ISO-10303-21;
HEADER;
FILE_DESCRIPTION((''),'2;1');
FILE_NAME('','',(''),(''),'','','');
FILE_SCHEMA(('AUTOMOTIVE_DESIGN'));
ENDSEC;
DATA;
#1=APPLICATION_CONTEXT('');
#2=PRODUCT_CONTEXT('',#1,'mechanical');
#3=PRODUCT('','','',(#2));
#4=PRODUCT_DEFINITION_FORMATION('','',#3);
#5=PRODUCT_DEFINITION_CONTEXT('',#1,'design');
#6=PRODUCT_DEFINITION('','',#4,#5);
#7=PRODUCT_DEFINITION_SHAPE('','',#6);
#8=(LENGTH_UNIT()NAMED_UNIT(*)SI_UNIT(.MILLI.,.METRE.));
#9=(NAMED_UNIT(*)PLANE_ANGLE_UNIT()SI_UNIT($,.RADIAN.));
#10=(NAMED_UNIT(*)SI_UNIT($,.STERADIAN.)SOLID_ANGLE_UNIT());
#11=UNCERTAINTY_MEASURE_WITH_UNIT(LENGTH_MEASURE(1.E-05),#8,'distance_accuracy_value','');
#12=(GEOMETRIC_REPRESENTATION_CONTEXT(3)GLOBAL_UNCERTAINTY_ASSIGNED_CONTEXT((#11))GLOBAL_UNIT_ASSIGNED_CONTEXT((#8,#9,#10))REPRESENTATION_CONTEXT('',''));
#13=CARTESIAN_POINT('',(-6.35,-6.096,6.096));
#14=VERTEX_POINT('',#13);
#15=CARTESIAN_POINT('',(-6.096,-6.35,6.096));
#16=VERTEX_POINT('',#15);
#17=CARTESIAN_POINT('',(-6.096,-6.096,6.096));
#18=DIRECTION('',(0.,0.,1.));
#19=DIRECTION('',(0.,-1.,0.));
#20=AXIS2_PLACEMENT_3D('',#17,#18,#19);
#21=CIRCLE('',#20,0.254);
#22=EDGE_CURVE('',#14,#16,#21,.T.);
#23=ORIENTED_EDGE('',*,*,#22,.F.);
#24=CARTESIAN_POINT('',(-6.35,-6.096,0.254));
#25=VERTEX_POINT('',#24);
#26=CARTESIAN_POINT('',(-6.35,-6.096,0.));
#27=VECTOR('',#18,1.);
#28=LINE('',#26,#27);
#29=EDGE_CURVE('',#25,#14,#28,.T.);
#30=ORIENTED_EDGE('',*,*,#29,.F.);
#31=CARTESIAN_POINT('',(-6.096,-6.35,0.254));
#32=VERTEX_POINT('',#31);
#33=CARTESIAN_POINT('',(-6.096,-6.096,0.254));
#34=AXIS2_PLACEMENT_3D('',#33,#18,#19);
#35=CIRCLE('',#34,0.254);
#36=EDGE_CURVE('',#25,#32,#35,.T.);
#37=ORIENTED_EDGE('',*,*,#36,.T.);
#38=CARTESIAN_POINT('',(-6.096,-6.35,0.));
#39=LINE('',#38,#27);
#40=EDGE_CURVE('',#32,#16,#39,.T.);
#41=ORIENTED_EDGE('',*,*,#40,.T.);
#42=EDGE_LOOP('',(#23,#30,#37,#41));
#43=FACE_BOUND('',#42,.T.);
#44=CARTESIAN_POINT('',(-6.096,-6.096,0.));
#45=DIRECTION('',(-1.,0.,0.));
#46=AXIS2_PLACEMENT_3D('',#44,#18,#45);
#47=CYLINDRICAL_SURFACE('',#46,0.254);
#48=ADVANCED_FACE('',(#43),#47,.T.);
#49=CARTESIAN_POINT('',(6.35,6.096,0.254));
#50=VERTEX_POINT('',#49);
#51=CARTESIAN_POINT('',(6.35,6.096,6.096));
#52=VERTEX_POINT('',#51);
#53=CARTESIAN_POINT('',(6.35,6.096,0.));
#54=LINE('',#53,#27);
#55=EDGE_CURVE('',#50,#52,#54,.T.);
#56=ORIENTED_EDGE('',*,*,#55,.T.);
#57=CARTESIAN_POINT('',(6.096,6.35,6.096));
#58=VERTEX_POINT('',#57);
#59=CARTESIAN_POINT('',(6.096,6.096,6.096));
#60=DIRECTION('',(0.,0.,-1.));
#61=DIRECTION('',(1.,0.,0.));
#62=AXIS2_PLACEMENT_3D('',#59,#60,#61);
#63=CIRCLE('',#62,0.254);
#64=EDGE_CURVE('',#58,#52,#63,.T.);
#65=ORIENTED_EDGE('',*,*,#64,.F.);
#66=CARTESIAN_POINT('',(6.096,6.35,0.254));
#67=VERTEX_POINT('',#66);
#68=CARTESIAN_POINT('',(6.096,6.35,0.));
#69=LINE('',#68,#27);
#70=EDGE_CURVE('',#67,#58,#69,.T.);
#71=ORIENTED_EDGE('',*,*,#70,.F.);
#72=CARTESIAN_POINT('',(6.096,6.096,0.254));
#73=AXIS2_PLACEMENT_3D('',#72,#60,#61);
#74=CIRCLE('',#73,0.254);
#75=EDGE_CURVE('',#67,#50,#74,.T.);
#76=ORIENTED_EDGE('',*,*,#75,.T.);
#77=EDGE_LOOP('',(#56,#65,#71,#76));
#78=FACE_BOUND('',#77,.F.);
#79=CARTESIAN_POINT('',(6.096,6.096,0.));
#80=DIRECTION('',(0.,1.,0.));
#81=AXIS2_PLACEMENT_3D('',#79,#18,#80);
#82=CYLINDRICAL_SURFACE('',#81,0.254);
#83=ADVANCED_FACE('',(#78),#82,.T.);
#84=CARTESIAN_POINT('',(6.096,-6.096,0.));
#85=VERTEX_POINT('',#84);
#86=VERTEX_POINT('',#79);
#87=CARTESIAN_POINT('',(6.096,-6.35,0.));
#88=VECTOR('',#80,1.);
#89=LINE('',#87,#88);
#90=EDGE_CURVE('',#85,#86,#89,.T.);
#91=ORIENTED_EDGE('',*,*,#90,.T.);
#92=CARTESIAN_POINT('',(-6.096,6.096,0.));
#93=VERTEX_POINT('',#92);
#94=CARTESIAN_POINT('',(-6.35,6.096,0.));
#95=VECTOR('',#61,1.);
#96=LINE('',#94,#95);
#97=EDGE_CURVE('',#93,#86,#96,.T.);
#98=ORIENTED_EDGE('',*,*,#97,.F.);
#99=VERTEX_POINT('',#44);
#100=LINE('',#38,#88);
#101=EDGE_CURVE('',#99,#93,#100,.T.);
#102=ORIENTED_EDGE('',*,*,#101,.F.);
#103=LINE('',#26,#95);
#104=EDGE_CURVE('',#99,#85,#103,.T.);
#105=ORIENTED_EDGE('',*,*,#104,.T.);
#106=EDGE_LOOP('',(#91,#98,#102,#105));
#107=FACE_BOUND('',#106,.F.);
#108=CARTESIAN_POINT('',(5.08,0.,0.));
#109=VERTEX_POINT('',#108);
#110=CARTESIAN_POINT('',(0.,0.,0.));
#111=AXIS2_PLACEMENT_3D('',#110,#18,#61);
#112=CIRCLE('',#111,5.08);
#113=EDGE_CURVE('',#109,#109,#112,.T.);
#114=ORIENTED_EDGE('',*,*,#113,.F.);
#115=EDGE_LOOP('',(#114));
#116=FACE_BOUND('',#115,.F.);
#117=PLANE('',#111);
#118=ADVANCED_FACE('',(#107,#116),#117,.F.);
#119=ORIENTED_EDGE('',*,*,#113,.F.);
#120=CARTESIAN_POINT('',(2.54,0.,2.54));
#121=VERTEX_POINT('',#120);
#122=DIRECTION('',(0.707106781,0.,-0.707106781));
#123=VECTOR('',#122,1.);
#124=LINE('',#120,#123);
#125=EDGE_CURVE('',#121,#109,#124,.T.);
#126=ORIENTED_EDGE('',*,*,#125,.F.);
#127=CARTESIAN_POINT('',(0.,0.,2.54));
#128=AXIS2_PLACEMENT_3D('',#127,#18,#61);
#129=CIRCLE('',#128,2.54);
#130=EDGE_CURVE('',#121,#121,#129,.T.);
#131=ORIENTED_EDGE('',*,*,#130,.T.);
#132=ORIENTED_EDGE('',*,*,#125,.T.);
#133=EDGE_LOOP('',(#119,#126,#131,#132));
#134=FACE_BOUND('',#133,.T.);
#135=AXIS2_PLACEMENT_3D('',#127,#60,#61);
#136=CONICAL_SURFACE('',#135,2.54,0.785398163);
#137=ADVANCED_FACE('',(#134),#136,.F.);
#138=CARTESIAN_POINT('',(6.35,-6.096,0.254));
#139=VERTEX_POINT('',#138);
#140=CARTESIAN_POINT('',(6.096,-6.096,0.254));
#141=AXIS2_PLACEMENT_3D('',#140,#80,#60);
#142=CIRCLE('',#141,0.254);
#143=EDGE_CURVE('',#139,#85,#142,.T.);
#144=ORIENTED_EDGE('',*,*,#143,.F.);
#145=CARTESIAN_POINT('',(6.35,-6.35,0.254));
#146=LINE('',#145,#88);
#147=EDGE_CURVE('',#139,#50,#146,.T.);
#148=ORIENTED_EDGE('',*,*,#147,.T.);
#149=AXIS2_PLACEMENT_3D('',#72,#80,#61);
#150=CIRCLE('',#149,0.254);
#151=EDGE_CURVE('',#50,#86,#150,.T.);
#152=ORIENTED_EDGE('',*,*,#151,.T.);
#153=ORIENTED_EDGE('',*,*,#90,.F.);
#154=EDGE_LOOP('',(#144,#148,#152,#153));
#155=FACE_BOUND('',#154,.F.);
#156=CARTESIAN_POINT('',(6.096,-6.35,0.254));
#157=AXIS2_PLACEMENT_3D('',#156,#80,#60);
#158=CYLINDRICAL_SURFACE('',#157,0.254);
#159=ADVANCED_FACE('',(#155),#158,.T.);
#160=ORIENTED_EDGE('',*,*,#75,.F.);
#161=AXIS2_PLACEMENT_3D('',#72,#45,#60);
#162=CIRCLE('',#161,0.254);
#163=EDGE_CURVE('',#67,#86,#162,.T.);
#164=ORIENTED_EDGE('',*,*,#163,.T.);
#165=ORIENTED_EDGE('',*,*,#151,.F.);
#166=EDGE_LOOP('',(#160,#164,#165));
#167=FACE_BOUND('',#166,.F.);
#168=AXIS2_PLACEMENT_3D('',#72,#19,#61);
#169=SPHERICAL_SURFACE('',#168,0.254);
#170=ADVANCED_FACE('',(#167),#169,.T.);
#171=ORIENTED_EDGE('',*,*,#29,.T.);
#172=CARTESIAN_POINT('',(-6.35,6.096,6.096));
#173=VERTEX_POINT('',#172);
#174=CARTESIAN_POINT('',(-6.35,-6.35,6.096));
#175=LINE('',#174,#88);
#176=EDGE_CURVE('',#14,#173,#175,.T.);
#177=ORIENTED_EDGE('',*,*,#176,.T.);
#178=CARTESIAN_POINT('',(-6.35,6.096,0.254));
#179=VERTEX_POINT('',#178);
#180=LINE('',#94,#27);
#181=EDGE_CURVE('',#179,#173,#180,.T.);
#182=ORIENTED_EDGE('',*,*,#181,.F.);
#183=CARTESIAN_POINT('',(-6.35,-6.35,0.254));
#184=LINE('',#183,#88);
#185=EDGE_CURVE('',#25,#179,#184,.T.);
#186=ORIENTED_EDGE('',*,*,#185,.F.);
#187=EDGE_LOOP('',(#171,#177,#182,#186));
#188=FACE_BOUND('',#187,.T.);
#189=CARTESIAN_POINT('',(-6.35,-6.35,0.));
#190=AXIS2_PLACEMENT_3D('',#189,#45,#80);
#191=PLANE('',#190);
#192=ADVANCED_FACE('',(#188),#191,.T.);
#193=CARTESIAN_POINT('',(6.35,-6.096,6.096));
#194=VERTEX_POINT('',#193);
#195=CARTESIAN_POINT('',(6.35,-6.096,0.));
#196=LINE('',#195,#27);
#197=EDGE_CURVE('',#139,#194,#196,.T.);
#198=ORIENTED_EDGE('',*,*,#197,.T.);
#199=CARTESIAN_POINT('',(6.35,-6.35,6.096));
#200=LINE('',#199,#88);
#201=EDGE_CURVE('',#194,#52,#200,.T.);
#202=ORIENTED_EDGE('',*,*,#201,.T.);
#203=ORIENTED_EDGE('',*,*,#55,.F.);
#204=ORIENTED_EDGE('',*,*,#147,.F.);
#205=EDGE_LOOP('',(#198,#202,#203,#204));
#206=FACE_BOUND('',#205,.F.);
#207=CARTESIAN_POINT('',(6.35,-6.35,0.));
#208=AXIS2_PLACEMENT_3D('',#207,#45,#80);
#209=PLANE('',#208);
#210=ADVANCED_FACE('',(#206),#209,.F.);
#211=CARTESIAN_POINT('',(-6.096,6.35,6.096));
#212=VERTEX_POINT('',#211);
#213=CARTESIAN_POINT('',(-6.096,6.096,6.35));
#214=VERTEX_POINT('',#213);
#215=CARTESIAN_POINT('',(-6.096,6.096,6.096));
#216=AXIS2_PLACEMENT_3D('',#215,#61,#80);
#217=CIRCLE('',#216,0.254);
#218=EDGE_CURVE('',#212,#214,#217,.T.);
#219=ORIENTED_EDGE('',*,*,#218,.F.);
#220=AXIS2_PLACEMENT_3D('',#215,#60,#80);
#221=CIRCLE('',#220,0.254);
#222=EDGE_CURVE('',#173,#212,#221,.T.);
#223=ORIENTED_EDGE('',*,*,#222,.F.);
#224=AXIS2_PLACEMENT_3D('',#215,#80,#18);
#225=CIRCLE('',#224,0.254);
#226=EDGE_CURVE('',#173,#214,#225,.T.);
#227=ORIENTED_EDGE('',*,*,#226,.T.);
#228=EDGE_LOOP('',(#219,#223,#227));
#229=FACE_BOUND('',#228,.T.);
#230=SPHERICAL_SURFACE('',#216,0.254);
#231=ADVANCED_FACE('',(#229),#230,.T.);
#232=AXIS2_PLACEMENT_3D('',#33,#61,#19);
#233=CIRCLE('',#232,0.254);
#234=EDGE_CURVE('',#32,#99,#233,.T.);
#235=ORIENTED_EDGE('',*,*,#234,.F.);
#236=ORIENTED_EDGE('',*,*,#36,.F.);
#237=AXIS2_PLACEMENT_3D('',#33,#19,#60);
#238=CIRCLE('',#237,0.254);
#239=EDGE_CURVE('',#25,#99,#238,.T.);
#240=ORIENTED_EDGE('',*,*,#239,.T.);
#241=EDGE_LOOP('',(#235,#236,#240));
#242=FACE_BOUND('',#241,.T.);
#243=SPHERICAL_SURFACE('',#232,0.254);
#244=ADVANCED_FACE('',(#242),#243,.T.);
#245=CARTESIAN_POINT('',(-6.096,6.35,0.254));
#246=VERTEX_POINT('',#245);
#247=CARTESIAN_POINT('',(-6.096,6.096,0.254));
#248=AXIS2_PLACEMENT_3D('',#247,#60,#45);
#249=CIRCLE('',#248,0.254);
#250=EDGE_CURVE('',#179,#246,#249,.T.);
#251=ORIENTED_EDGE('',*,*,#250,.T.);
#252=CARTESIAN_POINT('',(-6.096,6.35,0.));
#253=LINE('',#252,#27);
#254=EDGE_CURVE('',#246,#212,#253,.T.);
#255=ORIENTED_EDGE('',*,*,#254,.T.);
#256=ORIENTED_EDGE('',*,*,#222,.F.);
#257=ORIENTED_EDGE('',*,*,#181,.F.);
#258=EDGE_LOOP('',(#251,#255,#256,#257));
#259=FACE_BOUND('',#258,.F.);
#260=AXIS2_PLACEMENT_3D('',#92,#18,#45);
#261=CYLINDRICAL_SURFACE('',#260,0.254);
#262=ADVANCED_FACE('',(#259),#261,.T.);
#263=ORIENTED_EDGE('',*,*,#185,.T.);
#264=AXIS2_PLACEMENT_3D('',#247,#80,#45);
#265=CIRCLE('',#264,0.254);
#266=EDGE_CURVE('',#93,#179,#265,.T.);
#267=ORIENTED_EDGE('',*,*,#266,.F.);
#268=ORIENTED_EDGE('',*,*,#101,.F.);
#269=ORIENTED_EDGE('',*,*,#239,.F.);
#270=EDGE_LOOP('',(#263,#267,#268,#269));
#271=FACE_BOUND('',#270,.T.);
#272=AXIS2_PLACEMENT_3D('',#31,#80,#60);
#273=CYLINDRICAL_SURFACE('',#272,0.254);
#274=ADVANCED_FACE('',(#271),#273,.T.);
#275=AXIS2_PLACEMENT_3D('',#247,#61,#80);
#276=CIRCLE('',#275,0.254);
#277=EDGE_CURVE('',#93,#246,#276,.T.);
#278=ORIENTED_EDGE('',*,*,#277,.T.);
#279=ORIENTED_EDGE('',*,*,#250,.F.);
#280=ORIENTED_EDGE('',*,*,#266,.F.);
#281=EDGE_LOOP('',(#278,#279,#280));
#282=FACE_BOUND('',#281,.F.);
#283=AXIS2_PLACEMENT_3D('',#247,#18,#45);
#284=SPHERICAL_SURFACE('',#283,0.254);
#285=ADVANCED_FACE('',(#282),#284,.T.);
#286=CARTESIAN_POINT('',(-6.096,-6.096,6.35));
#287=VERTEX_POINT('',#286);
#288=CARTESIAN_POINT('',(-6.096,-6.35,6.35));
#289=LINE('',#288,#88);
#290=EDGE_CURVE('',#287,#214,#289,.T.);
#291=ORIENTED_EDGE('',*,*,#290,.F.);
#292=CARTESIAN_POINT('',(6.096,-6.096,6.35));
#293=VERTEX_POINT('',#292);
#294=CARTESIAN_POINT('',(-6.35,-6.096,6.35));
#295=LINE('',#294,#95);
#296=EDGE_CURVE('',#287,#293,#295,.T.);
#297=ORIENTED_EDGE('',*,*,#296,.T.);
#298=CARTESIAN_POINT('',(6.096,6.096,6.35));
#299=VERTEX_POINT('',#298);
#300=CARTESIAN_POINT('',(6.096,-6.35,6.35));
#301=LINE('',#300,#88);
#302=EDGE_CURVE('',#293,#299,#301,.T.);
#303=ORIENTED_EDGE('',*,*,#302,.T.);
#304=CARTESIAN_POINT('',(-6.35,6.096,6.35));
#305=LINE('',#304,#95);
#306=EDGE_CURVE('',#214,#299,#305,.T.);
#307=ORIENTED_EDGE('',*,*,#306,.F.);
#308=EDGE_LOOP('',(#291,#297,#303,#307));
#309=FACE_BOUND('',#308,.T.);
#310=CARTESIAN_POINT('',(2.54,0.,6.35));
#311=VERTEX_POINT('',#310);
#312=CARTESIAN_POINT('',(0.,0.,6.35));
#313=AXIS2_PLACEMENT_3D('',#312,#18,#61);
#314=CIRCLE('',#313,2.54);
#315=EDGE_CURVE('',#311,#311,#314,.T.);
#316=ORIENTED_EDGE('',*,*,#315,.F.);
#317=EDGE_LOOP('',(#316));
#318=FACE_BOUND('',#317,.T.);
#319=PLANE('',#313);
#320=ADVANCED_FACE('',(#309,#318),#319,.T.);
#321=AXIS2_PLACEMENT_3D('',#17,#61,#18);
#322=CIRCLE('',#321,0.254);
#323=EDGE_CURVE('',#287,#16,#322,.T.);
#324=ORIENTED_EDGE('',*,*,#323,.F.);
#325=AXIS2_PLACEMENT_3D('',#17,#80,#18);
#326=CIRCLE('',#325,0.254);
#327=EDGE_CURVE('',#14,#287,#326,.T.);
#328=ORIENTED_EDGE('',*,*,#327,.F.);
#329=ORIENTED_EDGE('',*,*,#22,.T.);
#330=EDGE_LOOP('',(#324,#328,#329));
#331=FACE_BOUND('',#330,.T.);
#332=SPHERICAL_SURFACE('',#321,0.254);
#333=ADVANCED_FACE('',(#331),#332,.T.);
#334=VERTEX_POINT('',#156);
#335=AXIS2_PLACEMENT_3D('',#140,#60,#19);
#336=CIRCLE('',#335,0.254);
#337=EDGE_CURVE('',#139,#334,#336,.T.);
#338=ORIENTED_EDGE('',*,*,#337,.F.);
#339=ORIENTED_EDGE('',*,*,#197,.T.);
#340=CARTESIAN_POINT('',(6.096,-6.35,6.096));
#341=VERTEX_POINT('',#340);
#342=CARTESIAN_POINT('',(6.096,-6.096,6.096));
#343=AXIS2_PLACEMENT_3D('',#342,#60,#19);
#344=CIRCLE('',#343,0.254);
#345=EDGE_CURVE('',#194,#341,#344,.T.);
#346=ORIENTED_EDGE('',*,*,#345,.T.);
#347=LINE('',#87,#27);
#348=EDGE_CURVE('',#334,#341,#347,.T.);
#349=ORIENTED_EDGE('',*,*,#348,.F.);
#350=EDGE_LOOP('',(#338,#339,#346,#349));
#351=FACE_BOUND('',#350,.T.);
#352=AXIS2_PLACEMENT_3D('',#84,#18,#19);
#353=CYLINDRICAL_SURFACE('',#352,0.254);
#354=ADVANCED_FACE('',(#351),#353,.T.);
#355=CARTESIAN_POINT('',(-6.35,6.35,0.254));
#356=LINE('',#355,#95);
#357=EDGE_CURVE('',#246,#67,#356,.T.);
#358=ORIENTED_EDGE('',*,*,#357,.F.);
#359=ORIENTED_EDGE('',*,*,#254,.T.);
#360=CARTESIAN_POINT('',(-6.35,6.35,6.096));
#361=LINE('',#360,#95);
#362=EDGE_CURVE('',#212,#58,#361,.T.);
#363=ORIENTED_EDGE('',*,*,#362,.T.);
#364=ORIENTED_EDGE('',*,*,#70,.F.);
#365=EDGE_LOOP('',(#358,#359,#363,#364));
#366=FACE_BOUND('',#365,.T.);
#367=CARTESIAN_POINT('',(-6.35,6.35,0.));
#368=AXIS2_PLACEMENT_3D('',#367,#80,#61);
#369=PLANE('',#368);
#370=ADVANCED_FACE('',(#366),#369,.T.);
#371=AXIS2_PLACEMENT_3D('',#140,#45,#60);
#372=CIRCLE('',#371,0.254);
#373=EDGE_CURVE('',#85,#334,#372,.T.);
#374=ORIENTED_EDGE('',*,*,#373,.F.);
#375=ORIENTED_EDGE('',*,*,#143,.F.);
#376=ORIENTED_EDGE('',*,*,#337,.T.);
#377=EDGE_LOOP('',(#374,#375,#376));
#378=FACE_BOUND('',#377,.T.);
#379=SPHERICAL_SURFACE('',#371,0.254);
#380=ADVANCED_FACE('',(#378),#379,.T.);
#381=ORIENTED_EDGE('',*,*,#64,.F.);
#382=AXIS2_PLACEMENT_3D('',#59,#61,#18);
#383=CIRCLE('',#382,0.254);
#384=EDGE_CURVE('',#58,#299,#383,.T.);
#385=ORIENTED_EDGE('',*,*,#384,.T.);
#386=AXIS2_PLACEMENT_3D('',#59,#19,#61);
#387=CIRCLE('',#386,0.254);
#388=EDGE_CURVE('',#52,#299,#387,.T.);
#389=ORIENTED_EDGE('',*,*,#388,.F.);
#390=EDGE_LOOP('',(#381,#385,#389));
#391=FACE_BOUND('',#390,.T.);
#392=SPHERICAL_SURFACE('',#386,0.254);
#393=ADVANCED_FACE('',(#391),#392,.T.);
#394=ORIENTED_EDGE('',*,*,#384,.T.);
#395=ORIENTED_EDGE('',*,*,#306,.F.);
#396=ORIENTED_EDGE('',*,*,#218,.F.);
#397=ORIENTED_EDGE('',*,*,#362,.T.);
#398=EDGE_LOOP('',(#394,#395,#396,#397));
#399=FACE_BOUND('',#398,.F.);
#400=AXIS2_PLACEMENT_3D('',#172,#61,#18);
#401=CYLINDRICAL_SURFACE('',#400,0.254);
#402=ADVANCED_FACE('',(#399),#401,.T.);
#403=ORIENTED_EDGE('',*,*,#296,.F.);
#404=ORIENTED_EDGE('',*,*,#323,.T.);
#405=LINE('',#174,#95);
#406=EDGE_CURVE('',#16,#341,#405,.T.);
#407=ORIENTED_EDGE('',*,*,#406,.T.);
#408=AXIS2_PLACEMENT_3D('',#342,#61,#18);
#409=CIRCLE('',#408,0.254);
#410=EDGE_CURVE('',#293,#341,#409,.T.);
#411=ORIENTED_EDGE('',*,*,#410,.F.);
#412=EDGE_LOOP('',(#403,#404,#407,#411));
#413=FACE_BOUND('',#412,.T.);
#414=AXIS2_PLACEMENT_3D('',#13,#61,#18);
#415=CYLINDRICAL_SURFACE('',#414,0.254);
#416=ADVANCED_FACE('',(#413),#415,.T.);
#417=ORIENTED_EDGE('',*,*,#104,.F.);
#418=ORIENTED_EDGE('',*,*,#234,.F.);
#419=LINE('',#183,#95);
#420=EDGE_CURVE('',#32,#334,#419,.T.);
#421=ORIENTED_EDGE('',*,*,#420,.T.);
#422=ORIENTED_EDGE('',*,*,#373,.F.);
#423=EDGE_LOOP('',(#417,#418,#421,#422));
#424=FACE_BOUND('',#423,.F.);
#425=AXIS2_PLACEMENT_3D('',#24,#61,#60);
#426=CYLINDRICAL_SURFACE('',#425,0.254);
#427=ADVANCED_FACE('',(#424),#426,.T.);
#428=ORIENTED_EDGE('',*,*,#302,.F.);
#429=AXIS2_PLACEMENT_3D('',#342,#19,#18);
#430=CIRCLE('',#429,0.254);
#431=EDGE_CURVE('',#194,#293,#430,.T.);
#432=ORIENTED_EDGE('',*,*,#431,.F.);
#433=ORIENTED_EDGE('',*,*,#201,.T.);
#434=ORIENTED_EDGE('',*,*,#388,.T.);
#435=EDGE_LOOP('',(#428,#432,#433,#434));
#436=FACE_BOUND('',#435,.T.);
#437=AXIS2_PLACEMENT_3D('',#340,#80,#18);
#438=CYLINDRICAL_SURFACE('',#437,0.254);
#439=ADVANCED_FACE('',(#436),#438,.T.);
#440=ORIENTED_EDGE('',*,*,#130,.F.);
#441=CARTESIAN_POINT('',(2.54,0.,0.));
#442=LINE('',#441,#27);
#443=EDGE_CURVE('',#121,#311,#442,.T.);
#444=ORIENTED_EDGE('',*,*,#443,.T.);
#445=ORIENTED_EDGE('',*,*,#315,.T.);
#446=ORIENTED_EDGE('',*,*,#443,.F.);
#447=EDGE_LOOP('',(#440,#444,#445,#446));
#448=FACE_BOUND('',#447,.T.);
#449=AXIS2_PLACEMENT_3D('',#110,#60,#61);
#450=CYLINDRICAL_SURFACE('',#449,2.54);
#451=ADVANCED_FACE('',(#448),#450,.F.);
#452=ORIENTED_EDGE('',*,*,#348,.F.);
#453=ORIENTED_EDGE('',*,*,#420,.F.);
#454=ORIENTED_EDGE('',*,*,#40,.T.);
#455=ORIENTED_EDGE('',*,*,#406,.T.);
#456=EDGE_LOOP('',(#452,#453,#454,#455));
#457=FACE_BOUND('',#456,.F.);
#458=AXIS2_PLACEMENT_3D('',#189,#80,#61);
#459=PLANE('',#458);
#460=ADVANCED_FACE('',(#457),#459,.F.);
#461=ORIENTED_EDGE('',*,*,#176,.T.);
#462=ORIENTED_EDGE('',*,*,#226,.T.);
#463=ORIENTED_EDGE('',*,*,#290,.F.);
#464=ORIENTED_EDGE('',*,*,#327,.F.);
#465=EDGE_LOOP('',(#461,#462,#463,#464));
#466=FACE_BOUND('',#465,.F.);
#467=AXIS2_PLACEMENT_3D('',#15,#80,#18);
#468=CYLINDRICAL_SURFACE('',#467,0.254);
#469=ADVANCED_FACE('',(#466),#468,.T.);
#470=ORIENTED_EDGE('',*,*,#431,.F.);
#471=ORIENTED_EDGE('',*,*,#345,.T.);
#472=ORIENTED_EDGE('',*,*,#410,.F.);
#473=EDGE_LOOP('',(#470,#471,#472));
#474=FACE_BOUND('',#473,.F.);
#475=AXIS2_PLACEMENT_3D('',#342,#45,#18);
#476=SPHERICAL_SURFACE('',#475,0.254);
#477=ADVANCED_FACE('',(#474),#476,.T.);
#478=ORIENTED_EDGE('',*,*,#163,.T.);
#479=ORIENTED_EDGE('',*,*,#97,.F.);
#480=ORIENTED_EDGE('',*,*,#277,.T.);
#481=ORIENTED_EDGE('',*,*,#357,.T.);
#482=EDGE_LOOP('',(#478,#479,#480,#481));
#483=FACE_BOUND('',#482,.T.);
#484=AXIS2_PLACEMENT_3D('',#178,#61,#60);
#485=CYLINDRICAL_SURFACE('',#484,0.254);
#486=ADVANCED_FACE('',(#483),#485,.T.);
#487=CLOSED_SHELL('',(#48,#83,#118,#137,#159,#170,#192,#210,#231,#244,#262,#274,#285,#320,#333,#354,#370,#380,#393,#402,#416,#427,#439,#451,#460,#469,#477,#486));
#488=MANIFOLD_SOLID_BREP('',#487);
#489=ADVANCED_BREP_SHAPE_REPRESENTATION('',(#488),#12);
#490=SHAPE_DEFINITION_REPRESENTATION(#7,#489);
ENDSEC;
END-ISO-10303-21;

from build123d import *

# Parameters (mm, degrees)
F0_W     = 12.7
F0_H     = 12.7
F0_R     = 2.54
F1_DEPTH = 6.35
F2_SIZE  = 2.54
F3_R     = 0.254


with BuildPart() as f1:
    # F0 (on Top) → F1 (new body)
    with BuildSketch(Plane.XY):
        Rectangle(F0_W, F0_H)
        Circle(F0_R, mode=Mode.SUBTRACT)
    extrude(amount=F1_DEPTH)

    # F2
    f2_edges = [f1.edges().sort_by_distance(p)[0] for p in [
        (-2.54, 0, 0),
    ]]
    chamfer(f2_edges, length=F2_SIZE)

    # F3
    f3_edges = [f1.edges().sort_by_distance(p)[0] for p in [
        (0, -6.35, 6.35),
        (0, -6.35, 0),
        (6.35, 0, 0),
        (6.35, 0, 6.35),
        (6.35, -6.35, 3.175),
        (6.35, 6.35, 3.175),
        (0, 6.35, 6.35),
        (-6.35, 6.35, 3.175),
        (-6.35, 0, 6.35),
        (-6.35, -6.35, 3.175),
        (-6.35, 0, 0),
        (0, 6.35, 0),
    ]]
    fillet(f3_edges, radius=F3_R)


solid = f1.part
